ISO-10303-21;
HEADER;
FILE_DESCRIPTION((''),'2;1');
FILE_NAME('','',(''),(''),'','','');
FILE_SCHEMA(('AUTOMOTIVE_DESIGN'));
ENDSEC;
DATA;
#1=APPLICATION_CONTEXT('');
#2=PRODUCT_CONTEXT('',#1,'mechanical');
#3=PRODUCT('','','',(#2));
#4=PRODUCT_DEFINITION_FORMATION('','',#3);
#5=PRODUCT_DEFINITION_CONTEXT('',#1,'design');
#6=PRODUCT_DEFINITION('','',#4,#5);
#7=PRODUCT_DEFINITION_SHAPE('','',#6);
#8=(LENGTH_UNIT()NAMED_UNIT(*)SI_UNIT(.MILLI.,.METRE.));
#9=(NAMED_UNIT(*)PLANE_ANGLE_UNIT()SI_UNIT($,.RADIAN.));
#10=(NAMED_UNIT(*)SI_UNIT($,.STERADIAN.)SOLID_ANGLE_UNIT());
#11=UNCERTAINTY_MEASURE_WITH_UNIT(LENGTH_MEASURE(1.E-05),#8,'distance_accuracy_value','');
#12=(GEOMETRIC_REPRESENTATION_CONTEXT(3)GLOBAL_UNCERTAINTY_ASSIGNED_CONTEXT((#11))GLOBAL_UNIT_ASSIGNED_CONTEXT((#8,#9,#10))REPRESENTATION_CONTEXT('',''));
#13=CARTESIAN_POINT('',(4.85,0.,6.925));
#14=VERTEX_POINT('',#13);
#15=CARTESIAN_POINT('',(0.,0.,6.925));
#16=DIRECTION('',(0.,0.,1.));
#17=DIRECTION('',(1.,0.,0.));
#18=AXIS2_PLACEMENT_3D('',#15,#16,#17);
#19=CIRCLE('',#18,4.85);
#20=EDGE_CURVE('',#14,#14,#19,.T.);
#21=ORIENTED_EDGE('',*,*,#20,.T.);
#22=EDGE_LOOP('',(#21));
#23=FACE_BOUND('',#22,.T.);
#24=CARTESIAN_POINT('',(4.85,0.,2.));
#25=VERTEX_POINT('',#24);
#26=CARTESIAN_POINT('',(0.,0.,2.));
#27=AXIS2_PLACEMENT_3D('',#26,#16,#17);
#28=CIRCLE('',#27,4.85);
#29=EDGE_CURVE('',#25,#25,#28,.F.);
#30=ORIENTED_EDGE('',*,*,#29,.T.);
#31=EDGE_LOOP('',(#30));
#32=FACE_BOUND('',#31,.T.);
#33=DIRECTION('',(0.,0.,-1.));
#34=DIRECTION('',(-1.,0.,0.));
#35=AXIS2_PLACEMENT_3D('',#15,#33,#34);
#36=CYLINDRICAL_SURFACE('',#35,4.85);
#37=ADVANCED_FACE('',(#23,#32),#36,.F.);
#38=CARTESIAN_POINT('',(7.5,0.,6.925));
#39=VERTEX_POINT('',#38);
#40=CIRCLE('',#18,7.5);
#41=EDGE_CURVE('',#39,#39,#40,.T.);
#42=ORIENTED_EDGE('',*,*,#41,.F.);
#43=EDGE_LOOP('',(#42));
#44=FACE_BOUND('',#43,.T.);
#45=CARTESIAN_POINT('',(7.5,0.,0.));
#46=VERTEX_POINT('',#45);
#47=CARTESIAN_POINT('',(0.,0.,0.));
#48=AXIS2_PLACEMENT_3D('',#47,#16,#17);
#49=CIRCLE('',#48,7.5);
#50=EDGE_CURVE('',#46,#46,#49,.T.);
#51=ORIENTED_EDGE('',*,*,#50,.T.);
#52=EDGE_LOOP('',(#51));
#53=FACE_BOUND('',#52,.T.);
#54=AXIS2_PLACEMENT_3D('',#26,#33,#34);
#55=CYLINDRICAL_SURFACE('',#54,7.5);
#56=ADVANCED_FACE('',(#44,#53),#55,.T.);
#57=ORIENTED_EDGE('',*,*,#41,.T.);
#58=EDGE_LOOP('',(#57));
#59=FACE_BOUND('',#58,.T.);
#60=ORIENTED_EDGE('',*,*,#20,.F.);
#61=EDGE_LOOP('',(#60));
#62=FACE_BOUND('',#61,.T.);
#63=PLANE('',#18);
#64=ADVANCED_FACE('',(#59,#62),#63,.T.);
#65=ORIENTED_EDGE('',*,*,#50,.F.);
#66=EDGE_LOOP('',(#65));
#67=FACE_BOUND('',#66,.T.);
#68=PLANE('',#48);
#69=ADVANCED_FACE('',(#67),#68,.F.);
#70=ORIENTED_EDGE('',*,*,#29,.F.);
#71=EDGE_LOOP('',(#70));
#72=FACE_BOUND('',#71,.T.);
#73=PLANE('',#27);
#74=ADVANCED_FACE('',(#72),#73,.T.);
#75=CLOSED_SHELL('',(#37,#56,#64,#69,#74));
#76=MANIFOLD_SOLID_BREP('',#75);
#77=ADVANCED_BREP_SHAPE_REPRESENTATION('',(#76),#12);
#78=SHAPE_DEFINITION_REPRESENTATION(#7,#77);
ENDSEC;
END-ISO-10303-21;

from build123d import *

# Parameters (mm, degrees)
SKETCH2_R           = 7.5
BOSS_EXTRUDE1_DEPTH = 2
SKETCH3_R           = 7.5
SKETCH3_R_2         = 4.85
BOSS_EXTRUDE2_DEPTH = 4.925


with BuildPart() as part:
    # Sketch2 → Boss-Extrude1 (new body)
    with BuildSketch(Plane.XY):
        Circle(SKETCH2_R)
    extrude(amount=BOSS_EXTRUDE1_DEPTH)

    # Sketch3 → Boss-Extrude2 (add)
    with BuildSketch(Plane.XY.offset(2)):
        Circle(SKETCH3_R)
        Circle(SKETCH3_R_2, mode=Mode.SUBTRACT)
    extrude(amount=BOSS_EXTRUDE2_DEPTH)


solid = part.part
